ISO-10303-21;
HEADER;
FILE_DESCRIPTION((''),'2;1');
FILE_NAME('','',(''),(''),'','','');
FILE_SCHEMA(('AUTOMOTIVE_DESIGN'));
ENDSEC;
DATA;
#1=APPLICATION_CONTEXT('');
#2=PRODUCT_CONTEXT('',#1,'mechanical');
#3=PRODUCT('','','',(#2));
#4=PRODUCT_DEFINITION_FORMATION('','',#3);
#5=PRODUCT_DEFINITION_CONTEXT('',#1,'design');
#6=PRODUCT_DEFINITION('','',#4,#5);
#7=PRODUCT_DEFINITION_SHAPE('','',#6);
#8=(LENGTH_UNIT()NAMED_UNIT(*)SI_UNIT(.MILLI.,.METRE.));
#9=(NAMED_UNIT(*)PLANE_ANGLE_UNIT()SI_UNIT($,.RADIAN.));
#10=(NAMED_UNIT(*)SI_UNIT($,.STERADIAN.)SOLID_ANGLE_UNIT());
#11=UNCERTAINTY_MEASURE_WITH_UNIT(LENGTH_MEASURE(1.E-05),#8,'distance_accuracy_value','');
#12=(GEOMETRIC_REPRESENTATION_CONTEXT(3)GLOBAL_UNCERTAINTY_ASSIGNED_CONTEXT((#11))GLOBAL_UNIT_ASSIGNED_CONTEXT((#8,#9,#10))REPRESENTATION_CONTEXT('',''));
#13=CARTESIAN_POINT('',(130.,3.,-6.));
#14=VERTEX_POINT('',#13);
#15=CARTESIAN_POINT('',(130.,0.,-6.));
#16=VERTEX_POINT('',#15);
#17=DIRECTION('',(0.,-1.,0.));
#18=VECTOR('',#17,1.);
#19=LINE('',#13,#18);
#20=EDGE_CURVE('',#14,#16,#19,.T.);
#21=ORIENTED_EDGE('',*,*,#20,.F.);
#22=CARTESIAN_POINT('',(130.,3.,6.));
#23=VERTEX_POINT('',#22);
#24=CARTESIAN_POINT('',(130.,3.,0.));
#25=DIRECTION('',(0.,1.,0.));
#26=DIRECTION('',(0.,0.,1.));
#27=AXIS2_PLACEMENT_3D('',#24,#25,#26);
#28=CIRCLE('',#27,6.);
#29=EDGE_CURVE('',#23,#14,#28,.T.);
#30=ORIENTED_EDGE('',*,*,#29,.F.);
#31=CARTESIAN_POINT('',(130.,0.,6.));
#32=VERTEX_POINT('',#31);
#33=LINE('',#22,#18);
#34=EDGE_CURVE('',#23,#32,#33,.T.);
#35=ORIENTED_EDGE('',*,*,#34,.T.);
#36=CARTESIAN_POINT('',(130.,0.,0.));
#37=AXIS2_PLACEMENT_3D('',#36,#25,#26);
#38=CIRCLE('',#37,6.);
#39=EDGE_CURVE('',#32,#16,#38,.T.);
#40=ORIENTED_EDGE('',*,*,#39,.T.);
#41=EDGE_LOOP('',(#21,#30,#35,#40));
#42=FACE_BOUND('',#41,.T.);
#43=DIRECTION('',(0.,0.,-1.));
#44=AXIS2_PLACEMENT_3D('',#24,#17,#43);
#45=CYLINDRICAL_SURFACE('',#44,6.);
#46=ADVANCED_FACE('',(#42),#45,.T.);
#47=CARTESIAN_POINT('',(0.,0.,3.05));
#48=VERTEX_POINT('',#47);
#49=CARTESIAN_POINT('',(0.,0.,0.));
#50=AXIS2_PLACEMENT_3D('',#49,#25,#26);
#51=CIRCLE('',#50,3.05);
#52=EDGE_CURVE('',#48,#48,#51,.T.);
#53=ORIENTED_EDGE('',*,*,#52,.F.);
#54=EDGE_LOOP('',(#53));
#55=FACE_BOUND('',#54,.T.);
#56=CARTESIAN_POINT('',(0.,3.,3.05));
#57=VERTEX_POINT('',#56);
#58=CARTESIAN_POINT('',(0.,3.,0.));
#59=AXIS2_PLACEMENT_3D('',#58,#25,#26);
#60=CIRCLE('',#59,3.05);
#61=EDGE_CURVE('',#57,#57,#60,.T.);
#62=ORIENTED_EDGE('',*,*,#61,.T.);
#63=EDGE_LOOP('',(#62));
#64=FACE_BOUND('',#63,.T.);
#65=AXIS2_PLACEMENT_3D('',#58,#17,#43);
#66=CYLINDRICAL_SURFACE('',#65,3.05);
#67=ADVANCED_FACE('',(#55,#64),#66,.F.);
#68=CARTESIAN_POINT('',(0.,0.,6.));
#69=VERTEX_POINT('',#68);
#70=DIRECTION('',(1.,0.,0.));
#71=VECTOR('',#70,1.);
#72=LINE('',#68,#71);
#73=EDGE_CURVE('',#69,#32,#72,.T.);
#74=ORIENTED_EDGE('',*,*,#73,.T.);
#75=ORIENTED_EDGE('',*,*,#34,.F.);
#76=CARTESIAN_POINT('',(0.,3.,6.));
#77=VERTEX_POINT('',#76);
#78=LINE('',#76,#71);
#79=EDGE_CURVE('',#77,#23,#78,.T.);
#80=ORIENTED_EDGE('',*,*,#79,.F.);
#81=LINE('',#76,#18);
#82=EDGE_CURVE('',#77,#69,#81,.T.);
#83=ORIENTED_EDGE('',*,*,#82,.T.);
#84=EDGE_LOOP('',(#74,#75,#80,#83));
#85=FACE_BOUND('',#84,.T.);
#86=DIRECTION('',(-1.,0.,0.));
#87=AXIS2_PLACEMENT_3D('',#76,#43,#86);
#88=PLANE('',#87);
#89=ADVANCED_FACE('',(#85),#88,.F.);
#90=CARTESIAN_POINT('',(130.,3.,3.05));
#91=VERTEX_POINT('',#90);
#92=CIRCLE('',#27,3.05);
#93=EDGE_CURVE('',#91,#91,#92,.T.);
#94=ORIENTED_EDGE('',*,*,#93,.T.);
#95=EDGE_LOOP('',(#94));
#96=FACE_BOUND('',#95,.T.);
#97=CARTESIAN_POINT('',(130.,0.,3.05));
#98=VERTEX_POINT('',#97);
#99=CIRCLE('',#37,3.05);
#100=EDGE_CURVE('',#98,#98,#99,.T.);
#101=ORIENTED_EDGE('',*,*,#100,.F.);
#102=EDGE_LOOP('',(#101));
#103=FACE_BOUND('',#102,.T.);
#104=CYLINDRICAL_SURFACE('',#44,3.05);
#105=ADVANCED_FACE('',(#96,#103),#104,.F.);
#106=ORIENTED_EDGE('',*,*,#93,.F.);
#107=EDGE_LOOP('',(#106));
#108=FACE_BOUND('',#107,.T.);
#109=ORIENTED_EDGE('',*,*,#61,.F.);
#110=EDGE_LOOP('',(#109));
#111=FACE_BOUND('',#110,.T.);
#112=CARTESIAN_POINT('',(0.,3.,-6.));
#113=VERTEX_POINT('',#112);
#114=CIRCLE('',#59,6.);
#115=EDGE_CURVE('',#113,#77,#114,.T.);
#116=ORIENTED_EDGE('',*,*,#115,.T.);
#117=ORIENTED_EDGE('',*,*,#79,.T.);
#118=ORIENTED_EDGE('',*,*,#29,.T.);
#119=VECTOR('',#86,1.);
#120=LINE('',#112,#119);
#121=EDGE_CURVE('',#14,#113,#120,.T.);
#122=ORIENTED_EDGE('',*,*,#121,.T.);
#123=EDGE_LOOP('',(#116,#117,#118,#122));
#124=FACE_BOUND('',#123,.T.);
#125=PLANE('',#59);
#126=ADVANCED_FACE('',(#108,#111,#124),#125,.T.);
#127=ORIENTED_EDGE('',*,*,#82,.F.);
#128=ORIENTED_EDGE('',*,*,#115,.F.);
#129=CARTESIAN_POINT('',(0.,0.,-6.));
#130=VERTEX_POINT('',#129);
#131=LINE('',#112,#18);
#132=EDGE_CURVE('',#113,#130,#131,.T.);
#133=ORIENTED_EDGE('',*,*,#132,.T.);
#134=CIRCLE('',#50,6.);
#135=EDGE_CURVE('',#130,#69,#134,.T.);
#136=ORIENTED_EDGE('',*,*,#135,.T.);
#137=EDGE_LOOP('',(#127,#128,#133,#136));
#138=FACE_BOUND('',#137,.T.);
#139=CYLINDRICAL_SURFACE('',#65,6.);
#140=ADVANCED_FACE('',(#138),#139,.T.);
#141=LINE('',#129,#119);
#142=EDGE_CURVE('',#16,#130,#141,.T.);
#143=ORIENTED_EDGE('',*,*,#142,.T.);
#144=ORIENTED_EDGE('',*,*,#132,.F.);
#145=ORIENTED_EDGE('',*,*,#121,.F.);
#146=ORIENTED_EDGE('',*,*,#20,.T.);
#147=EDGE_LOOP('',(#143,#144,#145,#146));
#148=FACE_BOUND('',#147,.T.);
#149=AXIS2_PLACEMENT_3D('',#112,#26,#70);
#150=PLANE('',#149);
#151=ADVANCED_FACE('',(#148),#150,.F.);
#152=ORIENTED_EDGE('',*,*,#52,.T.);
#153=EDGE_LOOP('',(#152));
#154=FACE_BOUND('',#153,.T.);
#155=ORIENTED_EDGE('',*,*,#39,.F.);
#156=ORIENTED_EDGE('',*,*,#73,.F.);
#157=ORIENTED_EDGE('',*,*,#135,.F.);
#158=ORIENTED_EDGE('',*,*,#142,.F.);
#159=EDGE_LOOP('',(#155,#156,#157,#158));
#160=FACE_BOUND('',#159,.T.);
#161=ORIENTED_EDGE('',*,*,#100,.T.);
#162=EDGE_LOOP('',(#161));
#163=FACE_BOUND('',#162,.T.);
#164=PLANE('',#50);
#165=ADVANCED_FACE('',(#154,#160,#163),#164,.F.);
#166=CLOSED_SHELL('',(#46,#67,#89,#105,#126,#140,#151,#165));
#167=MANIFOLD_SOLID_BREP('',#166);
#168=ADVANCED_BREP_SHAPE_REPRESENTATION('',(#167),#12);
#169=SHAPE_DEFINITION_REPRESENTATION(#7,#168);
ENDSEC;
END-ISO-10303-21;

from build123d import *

# Parameters (mm, degrees)
SKETCH1_R           = 3.05
BOSS_EXTRUDE1_DEPTH = 3


with BuildPart() as part:
    # Sketch1 → Boss-Extrude1 (new body)
    with BuildSketch(Plane(origin=(0, 0, 0), x_dir=(1, 0, 0), z_dir=(0, 1, 0))):
        with BuildLine():
            Line((0, 6), (130, 6))
            ThreePointArc((130, 6), (136, 0), (130, -6))
            Line((130, -6), (0, -6))
            ThreePointArc((0, -6), (-6, 0), (0, 6))
        make_face()
        with Locations(Location((0, 0, 0), (0, 0, 270))):
            Circle(SKETCH1_R, mode=Mode.SUBTRACT)
        with Locations(Location((130, 0, 0), (0, 0, 270))):
            Circle(SKETCH1_R, mode=Mode.SUBTRACT)
    extrude(amount=BOSS_EXTRUDE1_DEPTH)


solid = part.part
